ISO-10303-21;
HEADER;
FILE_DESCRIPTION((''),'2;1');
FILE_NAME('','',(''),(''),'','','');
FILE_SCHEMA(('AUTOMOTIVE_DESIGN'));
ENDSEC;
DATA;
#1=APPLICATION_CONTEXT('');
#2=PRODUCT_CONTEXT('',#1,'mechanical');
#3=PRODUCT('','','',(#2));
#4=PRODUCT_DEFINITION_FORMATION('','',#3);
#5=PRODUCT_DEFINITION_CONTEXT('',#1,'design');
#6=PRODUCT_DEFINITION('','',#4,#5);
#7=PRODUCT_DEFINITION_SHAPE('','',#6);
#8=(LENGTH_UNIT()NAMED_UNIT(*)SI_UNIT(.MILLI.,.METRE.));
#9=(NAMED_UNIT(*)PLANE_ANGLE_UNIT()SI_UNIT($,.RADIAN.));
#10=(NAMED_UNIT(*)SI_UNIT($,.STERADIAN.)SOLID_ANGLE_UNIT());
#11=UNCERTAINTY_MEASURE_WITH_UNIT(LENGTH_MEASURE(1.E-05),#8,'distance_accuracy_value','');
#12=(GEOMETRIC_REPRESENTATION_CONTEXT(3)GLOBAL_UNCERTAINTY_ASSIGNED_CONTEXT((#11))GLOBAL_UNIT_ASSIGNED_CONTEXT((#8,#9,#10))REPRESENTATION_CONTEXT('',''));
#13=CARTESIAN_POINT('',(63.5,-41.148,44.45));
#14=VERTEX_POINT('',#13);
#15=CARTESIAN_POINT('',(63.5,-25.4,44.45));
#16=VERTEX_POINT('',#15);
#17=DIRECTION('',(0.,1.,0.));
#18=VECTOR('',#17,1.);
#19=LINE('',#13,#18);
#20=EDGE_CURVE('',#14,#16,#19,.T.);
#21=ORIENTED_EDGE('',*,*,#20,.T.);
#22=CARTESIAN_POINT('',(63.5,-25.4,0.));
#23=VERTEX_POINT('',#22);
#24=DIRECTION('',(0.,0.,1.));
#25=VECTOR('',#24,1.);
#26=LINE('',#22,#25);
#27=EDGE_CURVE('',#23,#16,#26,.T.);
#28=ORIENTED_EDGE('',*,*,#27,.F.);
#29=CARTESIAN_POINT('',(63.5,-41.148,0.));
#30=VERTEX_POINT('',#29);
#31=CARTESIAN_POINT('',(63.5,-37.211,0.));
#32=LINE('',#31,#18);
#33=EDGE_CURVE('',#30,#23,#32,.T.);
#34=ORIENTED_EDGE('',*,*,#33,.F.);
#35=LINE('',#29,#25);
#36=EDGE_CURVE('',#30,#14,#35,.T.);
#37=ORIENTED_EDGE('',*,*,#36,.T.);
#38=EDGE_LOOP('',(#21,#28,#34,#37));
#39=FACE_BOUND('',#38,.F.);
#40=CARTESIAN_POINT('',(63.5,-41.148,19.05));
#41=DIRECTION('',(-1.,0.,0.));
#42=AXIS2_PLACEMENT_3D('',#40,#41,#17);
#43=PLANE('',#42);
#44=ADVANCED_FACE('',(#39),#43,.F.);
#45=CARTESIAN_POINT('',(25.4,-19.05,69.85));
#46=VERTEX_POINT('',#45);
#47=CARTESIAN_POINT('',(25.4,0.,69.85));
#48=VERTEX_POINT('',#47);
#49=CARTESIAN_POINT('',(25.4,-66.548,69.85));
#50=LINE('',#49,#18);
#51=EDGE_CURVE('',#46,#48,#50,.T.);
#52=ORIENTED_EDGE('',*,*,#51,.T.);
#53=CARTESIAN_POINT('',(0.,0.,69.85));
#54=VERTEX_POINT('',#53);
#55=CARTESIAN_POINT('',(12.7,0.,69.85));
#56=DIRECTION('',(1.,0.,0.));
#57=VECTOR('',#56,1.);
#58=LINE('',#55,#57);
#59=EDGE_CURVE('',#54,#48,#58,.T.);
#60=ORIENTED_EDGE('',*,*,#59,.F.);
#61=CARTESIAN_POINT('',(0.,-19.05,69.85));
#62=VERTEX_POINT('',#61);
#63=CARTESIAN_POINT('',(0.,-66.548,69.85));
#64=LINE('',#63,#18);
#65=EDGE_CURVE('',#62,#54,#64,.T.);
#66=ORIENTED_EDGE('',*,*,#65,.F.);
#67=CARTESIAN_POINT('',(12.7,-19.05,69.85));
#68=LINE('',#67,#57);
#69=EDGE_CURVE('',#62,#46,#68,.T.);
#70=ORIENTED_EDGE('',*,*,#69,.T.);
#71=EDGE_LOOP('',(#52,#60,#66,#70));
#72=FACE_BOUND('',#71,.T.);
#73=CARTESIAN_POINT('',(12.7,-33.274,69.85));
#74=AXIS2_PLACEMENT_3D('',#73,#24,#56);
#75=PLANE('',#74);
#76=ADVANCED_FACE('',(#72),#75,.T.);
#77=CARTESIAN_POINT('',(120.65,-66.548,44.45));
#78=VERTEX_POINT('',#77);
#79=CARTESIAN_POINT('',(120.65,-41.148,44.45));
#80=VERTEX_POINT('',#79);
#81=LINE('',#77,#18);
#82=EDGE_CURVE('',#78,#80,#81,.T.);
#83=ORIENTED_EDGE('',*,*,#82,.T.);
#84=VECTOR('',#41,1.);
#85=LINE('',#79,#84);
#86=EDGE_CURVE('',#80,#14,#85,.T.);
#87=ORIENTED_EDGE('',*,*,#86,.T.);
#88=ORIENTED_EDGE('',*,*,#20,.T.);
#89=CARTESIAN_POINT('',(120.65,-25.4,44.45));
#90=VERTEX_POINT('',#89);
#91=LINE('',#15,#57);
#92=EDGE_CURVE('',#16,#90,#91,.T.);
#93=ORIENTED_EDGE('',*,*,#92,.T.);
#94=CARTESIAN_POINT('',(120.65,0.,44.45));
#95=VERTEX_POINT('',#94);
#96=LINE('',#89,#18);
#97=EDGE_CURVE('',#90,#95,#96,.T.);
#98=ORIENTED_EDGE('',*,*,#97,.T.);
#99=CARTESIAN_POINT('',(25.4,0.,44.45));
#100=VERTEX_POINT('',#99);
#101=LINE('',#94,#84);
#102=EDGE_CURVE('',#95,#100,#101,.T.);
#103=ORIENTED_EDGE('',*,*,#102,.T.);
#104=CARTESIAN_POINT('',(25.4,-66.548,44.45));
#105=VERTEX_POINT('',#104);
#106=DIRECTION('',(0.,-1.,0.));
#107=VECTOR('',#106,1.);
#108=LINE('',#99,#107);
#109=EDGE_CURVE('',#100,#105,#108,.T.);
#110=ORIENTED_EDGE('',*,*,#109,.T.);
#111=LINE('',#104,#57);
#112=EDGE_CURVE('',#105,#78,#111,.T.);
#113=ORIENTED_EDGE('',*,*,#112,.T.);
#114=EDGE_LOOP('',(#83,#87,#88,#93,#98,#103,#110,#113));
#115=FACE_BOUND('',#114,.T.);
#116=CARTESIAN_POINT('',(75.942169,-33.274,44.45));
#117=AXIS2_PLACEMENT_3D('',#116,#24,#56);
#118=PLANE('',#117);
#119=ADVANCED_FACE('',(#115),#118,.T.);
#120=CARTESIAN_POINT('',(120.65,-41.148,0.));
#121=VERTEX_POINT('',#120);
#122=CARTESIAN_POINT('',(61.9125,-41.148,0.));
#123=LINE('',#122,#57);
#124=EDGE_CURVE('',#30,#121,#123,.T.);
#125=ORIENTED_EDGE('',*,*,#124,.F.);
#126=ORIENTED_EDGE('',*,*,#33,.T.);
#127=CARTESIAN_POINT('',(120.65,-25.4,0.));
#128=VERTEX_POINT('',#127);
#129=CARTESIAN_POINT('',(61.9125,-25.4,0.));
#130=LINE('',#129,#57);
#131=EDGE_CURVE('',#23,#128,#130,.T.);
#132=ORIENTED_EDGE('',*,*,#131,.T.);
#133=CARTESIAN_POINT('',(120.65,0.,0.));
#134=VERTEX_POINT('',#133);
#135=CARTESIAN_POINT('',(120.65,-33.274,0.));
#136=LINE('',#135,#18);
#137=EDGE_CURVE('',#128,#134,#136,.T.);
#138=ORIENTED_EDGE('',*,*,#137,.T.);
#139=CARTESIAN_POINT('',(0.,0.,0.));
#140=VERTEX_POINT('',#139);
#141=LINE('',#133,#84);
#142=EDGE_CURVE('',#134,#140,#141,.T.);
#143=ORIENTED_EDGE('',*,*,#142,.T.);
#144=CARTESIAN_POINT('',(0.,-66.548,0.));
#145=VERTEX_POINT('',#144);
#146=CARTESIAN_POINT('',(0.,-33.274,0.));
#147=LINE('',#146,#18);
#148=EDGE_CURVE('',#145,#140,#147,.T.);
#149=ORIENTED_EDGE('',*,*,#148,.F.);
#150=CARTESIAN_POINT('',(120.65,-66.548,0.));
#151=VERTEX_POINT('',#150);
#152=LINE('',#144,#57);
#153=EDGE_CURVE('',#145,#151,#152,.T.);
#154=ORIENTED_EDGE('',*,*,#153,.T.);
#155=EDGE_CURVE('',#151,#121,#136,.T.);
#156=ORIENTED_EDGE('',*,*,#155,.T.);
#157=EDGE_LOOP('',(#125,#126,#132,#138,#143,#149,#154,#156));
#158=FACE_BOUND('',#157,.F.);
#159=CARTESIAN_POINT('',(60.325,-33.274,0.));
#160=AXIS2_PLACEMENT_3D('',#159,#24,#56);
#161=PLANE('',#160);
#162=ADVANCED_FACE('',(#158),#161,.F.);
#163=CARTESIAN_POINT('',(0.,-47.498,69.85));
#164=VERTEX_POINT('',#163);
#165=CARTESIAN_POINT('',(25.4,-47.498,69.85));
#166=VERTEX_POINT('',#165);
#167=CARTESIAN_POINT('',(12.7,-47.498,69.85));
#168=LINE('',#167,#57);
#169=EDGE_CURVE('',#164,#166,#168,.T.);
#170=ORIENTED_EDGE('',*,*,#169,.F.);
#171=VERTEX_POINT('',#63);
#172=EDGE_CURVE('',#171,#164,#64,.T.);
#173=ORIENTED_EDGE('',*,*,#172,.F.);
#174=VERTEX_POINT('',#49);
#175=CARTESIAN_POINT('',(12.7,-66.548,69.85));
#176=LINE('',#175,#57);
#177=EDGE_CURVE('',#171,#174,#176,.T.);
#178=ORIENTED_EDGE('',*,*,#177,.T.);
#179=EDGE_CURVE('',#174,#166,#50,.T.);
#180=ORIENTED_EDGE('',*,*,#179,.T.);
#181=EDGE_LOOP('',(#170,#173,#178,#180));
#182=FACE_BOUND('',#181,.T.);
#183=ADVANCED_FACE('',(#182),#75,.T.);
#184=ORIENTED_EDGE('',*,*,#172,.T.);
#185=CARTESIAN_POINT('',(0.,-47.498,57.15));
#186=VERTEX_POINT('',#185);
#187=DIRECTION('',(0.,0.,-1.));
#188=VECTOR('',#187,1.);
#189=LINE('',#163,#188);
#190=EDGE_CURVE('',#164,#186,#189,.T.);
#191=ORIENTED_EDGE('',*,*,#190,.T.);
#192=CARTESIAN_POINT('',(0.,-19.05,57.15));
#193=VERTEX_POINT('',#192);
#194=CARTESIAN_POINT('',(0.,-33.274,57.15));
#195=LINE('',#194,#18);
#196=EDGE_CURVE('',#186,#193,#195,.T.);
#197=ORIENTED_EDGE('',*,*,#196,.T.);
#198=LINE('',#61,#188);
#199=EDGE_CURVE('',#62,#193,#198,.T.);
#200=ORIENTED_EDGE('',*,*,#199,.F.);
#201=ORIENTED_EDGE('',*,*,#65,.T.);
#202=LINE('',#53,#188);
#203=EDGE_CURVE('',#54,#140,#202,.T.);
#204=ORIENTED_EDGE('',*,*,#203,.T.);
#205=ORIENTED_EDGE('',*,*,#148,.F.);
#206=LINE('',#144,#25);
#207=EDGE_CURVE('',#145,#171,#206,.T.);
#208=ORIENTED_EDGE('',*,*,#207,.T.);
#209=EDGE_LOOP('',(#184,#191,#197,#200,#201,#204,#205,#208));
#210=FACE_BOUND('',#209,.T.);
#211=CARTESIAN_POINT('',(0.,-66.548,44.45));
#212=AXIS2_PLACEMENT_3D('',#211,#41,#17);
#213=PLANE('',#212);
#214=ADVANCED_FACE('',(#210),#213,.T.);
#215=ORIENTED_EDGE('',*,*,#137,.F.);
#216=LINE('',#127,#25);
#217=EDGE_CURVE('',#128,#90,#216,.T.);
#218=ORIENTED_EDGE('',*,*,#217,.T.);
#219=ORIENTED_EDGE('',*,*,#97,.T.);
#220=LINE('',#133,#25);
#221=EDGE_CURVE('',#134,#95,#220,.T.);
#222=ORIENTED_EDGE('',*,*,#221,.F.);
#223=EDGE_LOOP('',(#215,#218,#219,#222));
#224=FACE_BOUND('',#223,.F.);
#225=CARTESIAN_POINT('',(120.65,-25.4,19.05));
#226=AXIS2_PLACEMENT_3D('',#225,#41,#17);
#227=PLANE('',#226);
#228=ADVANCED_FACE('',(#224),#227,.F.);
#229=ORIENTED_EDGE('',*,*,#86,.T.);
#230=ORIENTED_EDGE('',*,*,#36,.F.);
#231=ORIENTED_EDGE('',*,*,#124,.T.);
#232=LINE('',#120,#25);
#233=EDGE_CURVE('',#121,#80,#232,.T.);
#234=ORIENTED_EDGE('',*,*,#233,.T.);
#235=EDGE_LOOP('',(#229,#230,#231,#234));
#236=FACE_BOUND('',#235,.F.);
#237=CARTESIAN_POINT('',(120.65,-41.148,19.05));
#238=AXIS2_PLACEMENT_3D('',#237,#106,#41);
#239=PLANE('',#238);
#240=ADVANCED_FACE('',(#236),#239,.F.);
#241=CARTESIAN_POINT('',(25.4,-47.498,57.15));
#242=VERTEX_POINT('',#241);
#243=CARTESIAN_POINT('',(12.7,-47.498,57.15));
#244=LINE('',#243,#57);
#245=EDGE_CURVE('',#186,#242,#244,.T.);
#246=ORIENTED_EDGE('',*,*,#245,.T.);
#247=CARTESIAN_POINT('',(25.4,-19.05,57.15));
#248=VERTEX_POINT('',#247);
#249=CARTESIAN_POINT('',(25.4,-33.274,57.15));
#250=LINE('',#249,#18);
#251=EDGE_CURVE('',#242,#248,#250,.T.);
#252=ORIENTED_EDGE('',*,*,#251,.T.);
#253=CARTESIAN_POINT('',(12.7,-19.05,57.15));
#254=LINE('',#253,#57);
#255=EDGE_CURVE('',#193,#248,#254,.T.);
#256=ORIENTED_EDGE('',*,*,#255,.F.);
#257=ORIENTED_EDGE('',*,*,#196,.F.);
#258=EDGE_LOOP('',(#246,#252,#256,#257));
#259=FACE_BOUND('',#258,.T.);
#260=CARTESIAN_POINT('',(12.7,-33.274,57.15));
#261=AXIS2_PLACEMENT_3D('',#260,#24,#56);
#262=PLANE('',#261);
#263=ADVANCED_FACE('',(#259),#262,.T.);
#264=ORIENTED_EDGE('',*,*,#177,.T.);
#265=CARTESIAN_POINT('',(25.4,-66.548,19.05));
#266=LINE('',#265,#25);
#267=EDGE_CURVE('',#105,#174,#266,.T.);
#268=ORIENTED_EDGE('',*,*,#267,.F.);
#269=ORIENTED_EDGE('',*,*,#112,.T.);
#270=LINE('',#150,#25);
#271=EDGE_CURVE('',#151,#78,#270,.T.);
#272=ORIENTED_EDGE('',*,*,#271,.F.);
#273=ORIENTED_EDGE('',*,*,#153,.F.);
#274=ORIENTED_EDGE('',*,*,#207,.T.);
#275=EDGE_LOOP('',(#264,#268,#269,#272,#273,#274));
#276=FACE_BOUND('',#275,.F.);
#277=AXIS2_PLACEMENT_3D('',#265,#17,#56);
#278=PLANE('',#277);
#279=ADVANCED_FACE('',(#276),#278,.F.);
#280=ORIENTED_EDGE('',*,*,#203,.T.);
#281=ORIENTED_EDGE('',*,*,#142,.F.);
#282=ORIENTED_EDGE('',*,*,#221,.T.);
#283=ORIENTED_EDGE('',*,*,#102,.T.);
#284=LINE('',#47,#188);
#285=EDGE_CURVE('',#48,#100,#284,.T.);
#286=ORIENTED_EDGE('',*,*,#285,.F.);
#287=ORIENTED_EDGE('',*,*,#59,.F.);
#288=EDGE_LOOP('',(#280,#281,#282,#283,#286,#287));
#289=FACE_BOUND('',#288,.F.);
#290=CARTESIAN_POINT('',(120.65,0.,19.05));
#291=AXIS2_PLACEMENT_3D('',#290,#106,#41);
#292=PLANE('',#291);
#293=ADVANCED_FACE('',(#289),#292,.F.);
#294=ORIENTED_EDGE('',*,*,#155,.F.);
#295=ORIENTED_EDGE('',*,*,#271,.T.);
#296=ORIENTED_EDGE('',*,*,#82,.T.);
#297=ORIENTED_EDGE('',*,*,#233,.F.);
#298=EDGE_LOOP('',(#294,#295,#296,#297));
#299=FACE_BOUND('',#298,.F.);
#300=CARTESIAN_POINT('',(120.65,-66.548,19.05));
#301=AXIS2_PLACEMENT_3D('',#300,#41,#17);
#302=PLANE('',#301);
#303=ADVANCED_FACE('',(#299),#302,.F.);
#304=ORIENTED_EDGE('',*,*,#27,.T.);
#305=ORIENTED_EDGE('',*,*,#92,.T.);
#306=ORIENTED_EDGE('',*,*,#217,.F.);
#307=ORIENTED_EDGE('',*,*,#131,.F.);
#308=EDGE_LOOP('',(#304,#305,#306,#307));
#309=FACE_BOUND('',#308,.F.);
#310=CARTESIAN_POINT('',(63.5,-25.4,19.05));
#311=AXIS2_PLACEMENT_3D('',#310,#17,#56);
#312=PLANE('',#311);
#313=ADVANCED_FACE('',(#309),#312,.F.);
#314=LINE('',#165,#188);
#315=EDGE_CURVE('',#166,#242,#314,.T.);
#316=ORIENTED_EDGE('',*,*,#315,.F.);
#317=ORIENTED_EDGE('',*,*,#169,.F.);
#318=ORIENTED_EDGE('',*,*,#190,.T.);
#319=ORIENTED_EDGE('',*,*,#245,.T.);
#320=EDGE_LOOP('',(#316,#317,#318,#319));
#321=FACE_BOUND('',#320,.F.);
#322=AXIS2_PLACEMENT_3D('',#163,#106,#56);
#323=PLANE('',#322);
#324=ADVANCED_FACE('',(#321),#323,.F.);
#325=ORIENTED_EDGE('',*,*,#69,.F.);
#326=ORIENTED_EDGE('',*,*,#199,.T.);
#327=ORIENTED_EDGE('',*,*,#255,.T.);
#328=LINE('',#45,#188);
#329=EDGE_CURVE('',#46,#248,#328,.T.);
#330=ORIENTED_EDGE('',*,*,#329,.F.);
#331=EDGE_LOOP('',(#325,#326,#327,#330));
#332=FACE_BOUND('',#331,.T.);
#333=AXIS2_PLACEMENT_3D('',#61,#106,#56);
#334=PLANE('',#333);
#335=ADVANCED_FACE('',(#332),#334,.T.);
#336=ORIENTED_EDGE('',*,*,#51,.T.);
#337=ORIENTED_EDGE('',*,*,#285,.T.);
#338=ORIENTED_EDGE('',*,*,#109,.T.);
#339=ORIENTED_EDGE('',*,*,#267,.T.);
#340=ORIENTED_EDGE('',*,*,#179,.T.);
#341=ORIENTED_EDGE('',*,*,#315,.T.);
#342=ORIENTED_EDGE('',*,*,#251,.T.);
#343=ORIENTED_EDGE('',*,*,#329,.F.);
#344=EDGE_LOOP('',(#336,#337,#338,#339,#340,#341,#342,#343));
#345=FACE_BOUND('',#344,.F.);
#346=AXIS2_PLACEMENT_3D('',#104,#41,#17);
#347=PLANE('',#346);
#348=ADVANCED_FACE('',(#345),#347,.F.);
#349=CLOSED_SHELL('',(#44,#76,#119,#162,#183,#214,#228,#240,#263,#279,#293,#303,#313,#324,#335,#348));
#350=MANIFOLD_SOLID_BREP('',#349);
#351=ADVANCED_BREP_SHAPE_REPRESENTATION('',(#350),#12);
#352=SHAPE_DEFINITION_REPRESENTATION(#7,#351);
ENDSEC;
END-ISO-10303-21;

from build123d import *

# Parameters (mm, degrees)
F0_W      = 120.65
F0_H      = 66.548
F1_DEPTH  = 19.05
F2_W      = 25.4
F2_H      = 44.45
F3_DEPTH  = 66.548
F4_W      = 25.4
F4_H      = 66.548
F5_DEPTH  = 25.4
F6_W      = 25.4
F6_H      = 28.0485648255
F7_DEPTH  = 12.7
F8_W      = 25.4
F8_H      = 28.448
F9_DEPTH  = 12.7
F10_W     = 57.15
F10_H     = 15.748
F11_DEPTH = 25.4
F13_DEPTH = 25.4


with BuildPart() as f1:
    # F0 (on Top) → F1 (new body)
    with BuildSketch(Plane.XY):
        with Locations((60.325, -33.274)):
            Rectangle(F0_W, F0_H)
    extrude(amount=F1_DEPTH)

    # F2 (on face) → F3 (join)
    with BuildSketch(Plane.XZ.offset(66.548)):
        with Locations((12.7, 22.225)):
            Rectangle(F2_W, F2_H)
    extrude(amount=-F3_DEPTH)

    # F4 (on face) → F5 (join)
    with BuildSketch(Plane.XY.offset(44.45)):
        with Locations((12.7, -33.274)):
            Rectangle(F4_W, F4_H)
    extrude(amount=F5_DEPTH)

    # F6 (on face) → F7 (join)
    with BuildSketch(Plane.XY.offset(69.85)):
        with Locations((12.7, -33.4737175872)):
            Rectangle(F6_W, F6_H)
    extrude(amount=-F7_DEPTH)

    # F8 (on face) → F9 (cut)
    with BuildSketch(Plane.XY.offset(69.85)):
        with Locations((12.7, -33.274)):
            Rectangle(F8_W, F8_H)
    extrude(amount=-F9_DEPTH, mode=Mode.SUBTRACT)

    # F10 (on face) → F11 (cut)
    with BuildSketch(Plane.XY.offset(19.05)):
        with Locations((92.075, -33.274)):
            Rectangle(F10_W, F10_H)
    extrude(amount=-F11_DEPTH, mode=Mode.SUBTRACT)

    # F12 (on face) → F13 (join)
    with BuildSketch(Plane.XY.offset(19.05)):
        Polygon((88.9, 0), (25.4, 0), (25.4, -66.548), (120.65, -66.548), (120.65, -41.148), (63.5, -41.148), (63.5, -25.4), (120.65, -25.4), (120.65, 0), align=None)
    extrude(amount=F13_DEPTH)


solid = f1.part
